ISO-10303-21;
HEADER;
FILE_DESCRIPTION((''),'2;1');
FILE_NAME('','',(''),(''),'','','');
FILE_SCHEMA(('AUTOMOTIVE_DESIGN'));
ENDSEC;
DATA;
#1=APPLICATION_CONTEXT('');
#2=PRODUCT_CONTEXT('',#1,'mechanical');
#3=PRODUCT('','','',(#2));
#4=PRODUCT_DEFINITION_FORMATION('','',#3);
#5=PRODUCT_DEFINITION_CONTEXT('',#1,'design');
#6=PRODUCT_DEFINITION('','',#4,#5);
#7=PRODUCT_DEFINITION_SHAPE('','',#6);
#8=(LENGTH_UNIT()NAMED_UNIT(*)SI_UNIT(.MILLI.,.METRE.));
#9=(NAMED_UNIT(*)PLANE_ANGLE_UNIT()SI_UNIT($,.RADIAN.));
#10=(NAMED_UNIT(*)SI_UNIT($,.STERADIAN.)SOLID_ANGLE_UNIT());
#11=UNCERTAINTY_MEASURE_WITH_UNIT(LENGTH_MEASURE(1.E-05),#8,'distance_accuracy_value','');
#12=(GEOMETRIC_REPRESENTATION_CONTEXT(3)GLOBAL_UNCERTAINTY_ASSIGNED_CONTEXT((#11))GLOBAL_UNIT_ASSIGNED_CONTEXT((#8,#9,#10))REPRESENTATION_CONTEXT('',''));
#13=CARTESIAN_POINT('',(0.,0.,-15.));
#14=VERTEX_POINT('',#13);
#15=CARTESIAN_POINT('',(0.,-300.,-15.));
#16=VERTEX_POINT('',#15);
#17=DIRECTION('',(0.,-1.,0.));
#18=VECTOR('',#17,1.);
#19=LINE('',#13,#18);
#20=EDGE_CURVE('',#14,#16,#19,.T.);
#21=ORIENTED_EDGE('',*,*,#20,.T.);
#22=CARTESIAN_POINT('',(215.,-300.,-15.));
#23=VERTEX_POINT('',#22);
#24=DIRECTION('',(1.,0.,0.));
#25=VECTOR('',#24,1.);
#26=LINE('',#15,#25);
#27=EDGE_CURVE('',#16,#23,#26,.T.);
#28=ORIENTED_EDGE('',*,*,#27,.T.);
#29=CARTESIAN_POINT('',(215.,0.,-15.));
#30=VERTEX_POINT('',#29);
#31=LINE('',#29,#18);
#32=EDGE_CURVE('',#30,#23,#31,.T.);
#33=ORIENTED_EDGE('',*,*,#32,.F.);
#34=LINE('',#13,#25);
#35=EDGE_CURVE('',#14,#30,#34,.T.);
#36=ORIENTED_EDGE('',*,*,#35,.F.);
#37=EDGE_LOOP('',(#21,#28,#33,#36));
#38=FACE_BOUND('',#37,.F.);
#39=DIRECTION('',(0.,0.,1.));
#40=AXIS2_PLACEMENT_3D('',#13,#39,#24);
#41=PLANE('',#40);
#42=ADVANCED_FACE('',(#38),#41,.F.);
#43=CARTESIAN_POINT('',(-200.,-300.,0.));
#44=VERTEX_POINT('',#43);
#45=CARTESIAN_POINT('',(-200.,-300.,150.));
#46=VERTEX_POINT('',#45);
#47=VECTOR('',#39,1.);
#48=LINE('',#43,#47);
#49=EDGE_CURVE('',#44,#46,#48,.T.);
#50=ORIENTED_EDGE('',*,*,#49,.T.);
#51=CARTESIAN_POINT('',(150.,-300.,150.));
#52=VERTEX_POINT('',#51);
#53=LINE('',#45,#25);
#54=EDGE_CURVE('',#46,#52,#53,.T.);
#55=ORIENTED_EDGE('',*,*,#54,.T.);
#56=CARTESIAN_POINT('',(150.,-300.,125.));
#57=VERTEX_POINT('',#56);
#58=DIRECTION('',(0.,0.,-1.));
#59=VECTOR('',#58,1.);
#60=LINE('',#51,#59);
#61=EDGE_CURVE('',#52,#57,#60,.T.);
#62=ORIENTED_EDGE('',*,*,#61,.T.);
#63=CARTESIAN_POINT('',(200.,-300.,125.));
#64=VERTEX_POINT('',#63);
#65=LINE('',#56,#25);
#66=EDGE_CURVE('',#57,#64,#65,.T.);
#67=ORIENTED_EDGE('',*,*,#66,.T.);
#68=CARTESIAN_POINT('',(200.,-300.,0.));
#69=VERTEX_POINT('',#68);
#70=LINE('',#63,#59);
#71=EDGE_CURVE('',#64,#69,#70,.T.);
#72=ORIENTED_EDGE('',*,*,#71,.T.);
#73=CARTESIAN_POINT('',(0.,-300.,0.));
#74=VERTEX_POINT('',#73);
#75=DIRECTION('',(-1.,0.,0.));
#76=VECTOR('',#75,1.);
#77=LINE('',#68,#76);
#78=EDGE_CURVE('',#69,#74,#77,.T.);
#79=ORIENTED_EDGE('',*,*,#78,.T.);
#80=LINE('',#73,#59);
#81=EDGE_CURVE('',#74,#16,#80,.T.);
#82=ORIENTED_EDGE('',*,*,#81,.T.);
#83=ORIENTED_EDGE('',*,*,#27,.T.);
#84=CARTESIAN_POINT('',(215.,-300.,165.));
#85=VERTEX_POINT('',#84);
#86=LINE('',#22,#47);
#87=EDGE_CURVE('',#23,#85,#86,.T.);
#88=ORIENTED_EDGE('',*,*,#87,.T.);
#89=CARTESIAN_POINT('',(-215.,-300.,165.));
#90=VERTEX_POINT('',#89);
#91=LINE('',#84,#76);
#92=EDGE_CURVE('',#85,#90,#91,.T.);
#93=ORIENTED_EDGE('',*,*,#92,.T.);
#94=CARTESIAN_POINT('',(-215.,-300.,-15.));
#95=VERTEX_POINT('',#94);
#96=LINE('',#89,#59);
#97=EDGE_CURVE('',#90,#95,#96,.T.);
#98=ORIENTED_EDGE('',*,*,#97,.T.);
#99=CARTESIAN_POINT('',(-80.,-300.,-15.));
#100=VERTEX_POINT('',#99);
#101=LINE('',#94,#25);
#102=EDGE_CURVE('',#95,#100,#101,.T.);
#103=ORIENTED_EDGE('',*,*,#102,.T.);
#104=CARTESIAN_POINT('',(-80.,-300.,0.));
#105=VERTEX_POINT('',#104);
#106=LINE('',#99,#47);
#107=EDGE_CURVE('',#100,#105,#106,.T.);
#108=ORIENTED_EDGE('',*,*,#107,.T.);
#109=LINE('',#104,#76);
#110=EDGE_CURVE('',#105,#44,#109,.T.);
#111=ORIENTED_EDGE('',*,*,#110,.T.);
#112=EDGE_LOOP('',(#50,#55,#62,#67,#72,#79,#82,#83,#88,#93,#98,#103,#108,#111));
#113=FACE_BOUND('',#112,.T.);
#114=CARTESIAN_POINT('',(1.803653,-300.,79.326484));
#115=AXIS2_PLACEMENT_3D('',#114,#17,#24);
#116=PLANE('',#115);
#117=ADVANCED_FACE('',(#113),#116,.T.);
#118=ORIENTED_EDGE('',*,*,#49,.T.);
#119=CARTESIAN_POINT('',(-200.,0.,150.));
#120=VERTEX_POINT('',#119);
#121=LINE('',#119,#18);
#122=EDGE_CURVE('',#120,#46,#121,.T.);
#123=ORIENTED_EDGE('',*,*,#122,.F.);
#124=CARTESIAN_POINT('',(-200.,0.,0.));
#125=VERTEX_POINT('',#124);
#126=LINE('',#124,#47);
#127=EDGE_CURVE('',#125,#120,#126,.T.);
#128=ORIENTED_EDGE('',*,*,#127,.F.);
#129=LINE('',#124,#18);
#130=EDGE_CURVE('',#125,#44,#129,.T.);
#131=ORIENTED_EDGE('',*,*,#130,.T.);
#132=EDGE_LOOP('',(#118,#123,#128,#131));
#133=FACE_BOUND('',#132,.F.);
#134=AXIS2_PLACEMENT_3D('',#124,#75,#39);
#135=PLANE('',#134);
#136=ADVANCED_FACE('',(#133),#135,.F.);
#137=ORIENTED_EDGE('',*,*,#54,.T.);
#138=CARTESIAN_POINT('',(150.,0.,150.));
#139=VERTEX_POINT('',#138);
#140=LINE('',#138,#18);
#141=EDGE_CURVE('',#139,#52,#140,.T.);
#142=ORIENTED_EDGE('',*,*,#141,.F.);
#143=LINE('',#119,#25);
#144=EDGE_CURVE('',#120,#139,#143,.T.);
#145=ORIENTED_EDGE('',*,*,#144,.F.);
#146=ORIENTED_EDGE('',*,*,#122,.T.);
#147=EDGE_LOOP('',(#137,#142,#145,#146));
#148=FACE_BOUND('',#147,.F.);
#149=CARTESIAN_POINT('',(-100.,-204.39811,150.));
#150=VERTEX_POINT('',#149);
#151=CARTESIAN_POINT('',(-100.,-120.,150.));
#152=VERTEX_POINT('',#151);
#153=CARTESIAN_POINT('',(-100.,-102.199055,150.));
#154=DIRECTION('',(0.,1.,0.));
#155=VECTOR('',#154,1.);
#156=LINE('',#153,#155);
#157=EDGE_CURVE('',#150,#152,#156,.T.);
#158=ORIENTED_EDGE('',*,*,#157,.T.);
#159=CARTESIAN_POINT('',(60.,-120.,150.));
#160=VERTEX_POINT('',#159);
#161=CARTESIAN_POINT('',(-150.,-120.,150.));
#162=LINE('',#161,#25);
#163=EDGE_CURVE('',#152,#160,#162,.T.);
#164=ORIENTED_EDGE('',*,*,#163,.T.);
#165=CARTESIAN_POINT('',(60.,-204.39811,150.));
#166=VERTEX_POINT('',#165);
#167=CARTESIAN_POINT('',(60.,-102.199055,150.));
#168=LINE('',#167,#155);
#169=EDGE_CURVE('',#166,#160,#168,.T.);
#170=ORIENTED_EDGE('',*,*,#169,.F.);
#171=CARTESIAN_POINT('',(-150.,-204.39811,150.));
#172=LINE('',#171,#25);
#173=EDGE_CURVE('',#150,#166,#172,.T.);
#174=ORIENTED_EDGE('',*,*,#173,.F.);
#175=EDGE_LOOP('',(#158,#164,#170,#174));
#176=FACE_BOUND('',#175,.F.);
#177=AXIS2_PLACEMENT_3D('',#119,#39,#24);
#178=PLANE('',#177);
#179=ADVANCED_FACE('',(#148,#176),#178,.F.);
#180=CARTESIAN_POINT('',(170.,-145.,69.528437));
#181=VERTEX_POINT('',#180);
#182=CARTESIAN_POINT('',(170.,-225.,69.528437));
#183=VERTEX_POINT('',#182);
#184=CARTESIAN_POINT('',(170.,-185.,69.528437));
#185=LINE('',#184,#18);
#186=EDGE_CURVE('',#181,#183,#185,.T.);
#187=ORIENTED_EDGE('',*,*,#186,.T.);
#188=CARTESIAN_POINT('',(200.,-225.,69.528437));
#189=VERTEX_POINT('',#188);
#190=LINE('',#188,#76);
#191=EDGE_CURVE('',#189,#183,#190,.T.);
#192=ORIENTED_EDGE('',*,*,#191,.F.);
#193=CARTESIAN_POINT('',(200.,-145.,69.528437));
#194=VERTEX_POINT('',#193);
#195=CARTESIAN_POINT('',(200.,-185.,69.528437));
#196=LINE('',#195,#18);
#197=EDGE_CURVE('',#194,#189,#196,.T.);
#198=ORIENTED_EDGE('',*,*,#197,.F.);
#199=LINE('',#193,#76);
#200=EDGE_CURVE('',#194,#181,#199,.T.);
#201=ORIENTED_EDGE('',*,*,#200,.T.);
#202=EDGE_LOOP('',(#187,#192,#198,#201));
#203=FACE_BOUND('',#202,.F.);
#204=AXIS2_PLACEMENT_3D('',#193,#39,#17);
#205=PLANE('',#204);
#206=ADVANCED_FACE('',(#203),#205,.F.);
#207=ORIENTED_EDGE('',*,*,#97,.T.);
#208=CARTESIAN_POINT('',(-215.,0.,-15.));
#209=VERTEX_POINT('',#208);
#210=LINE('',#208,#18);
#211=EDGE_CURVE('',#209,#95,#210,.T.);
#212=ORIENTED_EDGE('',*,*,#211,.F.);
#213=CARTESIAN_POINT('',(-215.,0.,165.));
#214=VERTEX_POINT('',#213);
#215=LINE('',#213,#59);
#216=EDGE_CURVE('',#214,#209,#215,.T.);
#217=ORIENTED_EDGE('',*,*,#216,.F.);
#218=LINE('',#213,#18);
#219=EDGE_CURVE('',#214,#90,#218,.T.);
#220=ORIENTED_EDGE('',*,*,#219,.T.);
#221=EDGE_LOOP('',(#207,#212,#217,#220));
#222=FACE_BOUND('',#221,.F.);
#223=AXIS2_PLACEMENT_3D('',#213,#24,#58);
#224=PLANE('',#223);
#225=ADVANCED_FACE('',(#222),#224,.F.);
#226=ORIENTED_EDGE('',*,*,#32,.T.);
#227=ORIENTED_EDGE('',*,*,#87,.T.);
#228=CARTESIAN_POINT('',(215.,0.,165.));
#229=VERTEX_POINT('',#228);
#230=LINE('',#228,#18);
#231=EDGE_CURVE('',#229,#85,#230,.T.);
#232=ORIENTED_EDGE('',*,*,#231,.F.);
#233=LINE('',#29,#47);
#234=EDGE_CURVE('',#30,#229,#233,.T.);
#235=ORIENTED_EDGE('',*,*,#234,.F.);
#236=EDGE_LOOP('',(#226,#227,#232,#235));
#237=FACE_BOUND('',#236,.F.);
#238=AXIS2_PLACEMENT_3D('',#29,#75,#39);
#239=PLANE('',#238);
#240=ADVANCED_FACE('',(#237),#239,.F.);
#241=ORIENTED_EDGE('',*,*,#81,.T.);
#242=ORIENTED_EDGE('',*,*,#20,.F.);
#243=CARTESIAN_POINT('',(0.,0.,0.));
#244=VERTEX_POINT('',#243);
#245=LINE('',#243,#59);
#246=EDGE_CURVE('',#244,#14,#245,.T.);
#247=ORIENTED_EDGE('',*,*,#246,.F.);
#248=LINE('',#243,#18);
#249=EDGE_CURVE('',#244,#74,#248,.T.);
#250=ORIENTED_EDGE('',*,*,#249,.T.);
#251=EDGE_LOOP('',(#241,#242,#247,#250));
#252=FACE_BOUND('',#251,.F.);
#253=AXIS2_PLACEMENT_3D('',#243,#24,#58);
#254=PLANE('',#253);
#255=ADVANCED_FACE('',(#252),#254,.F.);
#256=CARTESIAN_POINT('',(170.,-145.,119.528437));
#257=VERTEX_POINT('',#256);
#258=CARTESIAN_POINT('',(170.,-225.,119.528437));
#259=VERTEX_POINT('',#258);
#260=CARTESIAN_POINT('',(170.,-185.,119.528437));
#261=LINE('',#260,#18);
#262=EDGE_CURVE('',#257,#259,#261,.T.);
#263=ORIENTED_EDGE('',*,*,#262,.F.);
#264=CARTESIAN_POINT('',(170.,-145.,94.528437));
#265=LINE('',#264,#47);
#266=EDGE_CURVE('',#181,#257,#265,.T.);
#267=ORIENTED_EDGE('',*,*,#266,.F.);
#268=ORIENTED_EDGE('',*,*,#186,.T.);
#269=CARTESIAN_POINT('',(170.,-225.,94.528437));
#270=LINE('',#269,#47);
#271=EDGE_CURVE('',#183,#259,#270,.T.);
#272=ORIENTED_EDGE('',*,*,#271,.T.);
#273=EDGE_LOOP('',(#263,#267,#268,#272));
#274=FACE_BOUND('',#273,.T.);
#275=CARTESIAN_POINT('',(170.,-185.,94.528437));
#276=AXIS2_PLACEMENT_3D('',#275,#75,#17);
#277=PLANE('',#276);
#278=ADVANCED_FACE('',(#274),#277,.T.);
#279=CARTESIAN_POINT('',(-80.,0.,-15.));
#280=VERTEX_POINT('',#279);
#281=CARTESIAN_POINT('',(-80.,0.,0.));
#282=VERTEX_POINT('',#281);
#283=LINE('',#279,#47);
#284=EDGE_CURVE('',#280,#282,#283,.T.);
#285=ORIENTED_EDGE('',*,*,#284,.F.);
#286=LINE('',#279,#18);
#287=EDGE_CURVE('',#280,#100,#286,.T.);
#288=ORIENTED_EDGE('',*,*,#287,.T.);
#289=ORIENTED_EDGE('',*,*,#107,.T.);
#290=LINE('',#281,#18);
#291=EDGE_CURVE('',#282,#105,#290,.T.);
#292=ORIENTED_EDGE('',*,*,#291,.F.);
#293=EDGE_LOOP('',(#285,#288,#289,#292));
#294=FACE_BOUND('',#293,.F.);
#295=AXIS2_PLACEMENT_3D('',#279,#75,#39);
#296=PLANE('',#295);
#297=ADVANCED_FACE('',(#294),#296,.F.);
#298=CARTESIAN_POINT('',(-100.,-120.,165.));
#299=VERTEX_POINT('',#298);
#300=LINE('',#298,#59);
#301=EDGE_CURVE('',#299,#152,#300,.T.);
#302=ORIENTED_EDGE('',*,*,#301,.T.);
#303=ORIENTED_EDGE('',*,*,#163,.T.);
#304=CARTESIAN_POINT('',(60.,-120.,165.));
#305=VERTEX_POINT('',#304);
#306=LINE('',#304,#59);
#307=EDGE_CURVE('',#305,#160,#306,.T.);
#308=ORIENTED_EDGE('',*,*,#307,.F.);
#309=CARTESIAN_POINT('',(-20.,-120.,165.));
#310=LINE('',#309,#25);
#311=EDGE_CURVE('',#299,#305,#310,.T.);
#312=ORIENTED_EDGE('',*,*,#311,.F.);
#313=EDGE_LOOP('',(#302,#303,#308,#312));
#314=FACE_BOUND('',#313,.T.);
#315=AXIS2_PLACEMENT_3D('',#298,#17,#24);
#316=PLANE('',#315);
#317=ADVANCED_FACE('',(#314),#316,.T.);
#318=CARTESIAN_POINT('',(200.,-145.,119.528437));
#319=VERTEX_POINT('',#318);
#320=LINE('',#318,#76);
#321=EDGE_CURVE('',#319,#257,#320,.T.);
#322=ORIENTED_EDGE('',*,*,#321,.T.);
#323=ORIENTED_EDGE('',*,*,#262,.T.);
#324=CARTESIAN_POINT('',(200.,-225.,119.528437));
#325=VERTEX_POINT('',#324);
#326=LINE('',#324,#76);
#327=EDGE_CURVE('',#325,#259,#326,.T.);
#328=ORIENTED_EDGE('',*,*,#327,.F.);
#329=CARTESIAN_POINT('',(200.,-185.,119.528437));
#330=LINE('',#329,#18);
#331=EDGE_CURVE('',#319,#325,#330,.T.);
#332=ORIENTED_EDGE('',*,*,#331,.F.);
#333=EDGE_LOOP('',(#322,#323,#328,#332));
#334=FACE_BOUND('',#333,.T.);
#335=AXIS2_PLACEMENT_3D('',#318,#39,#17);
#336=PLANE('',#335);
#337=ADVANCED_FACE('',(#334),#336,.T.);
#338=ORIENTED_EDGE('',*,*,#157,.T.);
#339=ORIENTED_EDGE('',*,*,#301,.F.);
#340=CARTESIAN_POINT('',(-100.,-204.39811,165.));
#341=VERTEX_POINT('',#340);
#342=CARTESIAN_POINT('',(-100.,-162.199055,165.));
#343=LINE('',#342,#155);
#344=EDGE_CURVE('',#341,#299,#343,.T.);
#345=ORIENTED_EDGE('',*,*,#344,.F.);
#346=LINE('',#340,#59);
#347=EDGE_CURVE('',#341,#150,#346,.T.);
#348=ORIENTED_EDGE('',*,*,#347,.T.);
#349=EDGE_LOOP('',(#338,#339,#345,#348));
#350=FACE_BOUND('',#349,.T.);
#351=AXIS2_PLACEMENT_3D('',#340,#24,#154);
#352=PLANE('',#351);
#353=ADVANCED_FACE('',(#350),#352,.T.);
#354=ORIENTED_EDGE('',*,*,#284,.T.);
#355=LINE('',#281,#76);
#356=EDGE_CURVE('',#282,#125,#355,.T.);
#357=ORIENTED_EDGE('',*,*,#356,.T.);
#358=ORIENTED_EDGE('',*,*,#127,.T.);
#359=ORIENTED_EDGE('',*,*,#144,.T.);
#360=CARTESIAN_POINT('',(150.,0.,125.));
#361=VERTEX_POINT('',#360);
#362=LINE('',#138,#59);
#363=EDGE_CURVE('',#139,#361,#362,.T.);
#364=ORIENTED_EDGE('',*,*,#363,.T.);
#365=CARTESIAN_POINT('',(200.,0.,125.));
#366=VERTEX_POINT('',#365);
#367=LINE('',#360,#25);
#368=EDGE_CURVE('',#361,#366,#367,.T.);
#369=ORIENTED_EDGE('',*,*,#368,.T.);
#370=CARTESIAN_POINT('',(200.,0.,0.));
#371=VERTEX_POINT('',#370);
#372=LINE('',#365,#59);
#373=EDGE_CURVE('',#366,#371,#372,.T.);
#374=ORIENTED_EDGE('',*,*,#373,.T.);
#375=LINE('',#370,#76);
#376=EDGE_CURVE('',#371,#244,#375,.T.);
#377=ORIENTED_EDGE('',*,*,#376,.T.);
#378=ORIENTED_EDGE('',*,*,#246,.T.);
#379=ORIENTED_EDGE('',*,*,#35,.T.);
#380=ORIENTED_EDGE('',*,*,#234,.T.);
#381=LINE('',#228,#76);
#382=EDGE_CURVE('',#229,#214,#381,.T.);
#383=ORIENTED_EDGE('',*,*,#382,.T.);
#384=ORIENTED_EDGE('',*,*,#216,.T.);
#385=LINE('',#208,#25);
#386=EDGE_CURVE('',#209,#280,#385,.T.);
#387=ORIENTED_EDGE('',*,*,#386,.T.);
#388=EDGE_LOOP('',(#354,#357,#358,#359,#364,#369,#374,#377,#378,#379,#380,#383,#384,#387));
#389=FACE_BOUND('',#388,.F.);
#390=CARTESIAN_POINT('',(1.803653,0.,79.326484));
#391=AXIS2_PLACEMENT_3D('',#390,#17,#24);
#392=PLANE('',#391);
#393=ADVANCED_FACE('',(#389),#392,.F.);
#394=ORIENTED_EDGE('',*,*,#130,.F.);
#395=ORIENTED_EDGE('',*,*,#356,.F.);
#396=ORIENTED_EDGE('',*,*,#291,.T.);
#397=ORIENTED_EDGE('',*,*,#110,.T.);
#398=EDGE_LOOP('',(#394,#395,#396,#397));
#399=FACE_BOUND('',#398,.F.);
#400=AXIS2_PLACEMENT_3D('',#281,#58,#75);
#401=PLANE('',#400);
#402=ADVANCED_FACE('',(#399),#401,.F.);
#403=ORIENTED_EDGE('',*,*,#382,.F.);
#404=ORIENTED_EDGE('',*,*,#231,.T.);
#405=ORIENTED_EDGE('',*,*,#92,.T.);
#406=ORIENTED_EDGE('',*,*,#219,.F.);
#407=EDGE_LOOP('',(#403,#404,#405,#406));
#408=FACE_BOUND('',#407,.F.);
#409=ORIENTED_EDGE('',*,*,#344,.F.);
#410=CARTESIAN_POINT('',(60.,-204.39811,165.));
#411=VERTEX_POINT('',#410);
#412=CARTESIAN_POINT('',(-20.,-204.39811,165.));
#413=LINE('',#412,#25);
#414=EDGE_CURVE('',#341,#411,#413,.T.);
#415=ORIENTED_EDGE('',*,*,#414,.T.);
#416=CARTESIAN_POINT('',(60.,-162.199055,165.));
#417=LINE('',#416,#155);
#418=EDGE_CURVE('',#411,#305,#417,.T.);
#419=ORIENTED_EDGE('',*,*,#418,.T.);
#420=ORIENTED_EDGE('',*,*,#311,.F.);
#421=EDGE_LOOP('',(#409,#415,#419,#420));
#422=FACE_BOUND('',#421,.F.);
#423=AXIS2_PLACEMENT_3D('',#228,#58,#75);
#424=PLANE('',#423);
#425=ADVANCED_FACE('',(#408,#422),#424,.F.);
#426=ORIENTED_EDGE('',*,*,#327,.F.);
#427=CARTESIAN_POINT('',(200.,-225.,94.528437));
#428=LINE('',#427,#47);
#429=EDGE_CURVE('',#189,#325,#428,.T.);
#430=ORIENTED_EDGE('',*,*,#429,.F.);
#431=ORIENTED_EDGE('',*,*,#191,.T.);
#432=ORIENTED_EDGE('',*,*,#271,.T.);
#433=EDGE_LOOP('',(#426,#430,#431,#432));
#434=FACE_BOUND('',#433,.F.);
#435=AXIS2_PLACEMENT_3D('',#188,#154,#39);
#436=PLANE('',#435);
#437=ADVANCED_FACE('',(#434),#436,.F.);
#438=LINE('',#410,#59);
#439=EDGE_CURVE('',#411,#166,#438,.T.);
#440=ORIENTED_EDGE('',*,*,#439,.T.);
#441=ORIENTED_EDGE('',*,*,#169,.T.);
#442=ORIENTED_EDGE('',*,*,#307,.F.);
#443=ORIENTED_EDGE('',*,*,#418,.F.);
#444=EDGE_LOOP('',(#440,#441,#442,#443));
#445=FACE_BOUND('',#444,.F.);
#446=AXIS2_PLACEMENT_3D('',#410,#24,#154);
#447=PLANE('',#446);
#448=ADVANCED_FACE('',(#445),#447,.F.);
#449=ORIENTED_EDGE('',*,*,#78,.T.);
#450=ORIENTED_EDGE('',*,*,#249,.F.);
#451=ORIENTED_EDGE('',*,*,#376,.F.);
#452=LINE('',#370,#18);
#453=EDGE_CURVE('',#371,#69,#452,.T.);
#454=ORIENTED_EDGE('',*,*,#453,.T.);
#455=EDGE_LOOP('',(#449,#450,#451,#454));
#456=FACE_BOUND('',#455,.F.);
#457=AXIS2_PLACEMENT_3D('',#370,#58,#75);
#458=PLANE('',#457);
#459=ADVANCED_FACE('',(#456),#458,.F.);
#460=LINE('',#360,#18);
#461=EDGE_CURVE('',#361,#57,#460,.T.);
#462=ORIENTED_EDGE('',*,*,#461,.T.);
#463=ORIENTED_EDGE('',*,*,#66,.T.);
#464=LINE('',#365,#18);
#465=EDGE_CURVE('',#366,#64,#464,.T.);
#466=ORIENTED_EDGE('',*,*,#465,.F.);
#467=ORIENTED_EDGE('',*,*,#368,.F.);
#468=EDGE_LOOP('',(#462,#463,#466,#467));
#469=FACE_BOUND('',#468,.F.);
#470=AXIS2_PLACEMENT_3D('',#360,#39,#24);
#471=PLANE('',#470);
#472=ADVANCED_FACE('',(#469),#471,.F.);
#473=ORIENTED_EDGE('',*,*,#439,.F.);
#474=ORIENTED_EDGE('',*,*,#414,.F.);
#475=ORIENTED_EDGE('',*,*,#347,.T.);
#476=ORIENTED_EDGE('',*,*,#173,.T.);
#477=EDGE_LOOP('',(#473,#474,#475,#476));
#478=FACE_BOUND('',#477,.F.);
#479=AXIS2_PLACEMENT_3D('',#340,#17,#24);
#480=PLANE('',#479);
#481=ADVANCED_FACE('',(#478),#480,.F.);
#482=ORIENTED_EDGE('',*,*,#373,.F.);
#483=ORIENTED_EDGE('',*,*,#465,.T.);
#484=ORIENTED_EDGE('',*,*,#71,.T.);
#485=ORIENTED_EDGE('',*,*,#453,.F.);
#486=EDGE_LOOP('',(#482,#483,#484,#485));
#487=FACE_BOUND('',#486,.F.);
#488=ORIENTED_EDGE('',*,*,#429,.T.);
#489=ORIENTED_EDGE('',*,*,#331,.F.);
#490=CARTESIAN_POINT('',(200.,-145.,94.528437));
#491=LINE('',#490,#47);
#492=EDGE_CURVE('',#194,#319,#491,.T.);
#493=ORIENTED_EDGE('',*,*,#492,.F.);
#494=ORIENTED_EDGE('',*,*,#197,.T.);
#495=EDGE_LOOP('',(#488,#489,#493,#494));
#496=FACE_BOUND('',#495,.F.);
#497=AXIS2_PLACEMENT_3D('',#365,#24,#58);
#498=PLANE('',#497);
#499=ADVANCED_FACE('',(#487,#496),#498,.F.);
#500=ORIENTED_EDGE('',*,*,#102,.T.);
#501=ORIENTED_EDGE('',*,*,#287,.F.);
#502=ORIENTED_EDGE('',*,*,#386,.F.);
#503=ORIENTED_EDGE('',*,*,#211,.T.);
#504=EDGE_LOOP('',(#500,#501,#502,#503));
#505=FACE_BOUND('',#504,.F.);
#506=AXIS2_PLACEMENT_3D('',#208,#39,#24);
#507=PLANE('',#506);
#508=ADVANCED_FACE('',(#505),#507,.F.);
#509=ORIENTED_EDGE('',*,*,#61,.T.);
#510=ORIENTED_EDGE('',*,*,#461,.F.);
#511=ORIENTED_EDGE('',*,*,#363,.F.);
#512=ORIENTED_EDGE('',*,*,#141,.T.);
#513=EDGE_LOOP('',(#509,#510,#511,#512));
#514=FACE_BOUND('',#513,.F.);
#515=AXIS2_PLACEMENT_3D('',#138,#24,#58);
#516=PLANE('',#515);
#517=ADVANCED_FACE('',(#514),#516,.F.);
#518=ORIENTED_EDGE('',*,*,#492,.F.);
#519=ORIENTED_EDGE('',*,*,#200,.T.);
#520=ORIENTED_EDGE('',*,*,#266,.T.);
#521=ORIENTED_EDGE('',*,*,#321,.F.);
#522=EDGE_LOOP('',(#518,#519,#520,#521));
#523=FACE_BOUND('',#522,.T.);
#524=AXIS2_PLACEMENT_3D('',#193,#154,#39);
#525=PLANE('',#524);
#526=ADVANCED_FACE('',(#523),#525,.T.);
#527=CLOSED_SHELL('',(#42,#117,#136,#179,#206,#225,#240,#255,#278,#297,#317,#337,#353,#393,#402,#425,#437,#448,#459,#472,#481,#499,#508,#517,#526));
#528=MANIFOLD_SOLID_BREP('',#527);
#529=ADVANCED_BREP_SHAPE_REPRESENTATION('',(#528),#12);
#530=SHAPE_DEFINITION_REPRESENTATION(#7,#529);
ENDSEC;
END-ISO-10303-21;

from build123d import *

# Parameters (mm, degrees)
F1_DEPTH = 300
F2_W     = 160
F2_H     = 84.39811
F3_DEPTH = 25
F4_W     = 80
F4_H     = 50
F5_DEPTH = 30


with BuildPart() as f1:
    # F0 (on Front) → F1 (new body)
    with BuildSketch(Plane.XZ):
        Polygon((-80, -15), (-80, 0), (-200, 0), (-200, 150), (150, 150), (150, 125), (200, 125), (200, 0), (0, 0), (0, -15), (215, -15), (215, 165), (-215, 165), (-215, -15), align=None)
    extrude(amount=F1_DEPTH)

    # F2 (on face) → F3 (cut)
    with BuildSketch(Plane.XY.offset(165)):
        with Locations((-20, -162.199055)):
            Rectangle(F2_W, F2_H)
    extrude(amount=-F3_DEPTH, mode=Mode.SUBTRACT)

    # F4 (on face) → F5 (join)
    with BuildSketch(Plane(origin=(200, 0, 0), x_dir=(0, -1, 0), z_dir=(-1, 0, 0))):
        with Locations((185, 94.528437)):
            Rectangle(F4_W, F4_H)
    extrude(amount=F5_DEPTH)


solid = f1.part
